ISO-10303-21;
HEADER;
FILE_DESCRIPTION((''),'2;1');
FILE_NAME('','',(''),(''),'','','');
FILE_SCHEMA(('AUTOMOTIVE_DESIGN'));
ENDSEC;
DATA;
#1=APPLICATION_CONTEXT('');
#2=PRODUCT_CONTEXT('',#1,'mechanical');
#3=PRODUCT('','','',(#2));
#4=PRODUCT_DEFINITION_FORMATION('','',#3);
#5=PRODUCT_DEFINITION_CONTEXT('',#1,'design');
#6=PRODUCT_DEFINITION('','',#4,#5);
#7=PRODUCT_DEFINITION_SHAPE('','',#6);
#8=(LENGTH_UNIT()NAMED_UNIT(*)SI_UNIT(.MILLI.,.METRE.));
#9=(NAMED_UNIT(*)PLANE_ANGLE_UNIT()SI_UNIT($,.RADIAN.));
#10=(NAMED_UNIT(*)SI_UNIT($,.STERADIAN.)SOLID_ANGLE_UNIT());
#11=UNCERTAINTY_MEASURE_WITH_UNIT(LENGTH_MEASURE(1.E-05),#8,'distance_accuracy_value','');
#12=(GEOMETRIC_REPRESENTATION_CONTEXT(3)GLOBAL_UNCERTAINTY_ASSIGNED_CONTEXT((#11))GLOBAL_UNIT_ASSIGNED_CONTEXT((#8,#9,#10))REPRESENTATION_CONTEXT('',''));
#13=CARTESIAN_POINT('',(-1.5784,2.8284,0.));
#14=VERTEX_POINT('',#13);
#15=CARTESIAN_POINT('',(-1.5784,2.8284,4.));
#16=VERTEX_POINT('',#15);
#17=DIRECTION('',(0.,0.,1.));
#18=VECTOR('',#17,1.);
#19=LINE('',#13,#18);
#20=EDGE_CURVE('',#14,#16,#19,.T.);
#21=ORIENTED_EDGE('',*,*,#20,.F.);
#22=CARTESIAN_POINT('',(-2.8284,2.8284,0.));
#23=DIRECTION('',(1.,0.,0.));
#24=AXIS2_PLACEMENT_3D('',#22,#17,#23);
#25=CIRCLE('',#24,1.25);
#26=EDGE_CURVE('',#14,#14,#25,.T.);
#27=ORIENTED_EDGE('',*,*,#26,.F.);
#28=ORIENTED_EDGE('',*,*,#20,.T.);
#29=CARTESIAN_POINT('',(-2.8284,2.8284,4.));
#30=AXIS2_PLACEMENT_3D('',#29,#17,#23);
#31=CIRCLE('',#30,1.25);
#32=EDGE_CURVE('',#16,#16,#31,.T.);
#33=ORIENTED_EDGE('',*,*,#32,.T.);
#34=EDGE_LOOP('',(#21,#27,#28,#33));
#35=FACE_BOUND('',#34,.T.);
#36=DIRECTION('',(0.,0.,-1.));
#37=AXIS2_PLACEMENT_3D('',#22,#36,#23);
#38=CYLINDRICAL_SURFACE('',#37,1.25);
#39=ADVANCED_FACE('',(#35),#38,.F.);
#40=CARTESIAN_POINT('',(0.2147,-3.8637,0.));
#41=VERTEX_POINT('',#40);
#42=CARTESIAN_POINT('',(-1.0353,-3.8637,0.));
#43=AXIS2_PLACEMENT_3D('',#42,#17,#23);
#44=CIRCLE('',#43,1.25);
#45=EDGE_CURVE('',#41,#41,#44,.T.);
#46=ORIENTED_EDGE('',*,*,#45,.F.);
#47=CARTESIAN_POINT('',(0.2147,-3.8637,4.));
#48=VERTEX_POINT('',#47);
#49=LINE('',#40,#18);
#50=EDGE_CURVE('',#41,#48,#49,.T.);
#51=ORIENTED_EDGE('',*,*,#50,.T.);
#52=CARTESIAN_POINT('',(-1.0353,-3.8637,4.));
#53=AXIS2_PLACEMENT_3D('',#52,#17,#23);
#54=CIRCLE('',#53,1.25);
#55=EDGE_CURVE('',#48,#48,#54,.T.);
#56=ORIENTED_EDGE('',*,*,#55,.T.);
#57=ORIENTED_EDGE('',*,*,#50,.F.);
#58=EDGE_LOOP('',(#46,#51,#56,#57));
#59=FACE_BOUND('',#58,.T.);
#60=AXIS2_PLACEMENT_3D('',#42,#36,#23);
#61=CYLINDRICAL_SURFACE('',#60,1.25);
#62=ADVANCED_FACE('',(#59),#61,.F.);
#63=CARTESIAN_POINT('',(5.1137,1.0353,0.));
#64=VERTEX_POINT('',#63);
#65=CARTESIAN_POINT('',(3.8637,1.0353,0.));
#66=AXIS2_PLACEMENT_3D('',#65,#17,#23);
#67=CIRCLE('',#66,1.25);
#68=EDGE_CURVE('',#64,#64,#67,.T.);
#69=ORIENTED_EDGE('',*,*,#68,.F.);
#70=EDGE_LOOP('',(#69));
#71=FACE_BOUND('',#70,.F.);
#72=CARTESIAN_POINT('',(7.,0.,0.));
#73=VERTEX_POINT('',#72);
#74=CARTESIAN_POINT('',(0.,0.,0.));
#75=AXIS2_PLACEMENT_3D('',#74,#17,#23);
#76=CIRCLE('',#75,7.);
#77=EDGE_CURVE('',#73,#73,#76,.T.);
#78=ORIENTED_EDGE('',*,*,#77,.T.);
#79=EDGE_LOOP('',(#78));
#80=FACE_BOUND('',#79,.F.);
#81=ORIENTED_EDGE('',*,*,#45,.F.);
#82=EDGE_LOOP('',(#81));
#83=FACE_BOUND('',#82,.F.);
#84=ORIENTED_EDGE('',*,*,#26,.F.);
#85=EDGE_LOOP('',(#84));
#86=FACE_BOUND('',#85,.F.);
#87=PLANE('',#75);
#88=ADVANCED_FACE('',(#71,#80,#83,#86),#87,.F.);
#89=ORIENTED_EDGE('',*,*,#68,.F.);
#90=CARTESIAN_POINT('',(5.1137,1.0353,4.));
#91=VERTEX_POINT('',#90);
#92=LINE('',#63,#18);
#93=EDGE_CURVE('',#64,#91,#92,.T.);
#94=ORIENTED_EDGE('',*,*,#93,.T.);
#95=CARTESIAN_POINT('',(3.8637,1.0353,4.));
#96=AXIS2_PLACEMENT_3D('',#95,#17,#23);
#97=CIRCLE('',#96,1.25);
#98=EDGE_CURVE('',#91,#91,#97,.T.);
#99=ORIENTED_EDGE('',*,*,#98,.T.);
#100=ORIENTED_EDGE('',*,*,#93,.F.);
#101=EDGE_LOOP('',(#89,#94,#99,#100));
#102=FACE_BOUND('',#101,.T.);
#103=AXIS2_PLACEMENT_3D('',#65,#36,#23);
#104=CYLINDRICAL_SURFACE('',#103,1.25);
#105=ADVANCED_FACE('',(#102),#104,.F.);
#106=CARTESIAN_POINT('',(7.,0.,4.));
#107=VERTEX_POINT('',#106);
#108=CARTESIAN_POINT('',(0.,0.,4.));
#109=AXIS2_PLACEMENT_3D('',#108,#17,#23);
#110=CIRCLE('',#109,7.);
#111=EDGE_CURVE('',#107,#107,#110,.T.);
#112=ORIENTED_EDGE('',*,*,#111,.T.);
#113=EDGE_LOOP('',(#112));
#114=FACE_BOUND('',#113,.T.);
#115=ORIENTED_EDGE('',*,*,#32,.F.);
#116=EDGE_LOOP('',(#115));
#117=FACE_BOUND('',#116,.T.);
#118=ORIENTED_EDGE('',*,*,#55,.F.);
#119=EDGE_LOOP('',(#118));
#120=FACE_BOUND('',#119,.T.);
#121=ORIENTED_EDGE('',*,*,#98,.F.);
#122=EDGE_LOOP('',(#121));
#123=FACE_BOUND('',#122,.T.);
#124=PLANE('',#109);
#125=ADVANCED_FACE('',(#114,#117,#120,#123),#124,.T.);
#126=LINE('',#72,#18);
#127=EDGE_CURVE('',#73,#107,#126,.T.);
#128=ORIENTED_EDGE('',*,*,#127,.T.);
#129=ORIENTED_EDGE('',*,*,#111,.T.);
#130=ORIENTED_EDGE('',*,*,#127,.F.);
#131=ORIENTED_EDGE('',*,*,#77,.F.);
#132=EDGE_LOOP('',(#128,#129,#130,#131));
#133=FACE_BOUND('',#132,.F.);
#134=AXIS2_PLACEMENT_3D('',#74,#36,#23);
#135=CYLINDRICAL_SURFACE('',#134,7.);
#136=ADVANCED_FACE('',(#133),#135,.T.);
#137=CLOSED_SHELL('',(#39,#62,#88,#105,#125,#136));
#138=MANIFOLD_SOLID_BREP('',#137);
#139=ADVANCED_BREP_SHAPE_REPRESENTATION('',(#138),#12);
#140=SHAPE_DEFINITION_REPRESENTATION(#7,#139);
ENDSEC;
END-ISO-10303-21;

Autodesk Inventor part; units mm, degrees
ref_plane "YZ Plane" through (0, 0, 0) normal (1, 0, 0) x (0, 1, 0)
ref_plane "XZ Plane" through (0, 0, 0) normal (0, 1, 0) x (-1, 0, 0)
ref_plane "XY Plane" through (0, 0, 0) normal (0, 0, 1) x (1, 0, 0)
sketch "スケッチ1" plane through (0, 0, 0) normal (0, 0, 1) x (1, 0, 0)
  circle A0 centre (0, 0) radius 7
  circle A1 centre (-2.8284, 2.8284) radius 1.25
  circle A2 centre (-1.0353, -3.8637) radius 1.25
  circle A3 centre (3.8637, 1.0353) radius 1.25
  dimension "d0" = 14
  dimension "d1" = 2.5
  dimension "d2" = 4
  dimension "d5" = 360
extrude "押し出し1" add sketch "スケッチ1" along normal blind 4
thread "ねじ1" size "M3x0.5" class "6H" standard "ANSI Metric M Profile" full length
thread "ねじ2" size "M3x0.5" class "6H" standard "ANSI Metric M Profile" full length
thread "ねじ3" size "M3x0.5" class "6H" standard "ANSI Metric M Profile" full length
properties part number "カムD14AL" material "アルミニウム 2014-T4"
